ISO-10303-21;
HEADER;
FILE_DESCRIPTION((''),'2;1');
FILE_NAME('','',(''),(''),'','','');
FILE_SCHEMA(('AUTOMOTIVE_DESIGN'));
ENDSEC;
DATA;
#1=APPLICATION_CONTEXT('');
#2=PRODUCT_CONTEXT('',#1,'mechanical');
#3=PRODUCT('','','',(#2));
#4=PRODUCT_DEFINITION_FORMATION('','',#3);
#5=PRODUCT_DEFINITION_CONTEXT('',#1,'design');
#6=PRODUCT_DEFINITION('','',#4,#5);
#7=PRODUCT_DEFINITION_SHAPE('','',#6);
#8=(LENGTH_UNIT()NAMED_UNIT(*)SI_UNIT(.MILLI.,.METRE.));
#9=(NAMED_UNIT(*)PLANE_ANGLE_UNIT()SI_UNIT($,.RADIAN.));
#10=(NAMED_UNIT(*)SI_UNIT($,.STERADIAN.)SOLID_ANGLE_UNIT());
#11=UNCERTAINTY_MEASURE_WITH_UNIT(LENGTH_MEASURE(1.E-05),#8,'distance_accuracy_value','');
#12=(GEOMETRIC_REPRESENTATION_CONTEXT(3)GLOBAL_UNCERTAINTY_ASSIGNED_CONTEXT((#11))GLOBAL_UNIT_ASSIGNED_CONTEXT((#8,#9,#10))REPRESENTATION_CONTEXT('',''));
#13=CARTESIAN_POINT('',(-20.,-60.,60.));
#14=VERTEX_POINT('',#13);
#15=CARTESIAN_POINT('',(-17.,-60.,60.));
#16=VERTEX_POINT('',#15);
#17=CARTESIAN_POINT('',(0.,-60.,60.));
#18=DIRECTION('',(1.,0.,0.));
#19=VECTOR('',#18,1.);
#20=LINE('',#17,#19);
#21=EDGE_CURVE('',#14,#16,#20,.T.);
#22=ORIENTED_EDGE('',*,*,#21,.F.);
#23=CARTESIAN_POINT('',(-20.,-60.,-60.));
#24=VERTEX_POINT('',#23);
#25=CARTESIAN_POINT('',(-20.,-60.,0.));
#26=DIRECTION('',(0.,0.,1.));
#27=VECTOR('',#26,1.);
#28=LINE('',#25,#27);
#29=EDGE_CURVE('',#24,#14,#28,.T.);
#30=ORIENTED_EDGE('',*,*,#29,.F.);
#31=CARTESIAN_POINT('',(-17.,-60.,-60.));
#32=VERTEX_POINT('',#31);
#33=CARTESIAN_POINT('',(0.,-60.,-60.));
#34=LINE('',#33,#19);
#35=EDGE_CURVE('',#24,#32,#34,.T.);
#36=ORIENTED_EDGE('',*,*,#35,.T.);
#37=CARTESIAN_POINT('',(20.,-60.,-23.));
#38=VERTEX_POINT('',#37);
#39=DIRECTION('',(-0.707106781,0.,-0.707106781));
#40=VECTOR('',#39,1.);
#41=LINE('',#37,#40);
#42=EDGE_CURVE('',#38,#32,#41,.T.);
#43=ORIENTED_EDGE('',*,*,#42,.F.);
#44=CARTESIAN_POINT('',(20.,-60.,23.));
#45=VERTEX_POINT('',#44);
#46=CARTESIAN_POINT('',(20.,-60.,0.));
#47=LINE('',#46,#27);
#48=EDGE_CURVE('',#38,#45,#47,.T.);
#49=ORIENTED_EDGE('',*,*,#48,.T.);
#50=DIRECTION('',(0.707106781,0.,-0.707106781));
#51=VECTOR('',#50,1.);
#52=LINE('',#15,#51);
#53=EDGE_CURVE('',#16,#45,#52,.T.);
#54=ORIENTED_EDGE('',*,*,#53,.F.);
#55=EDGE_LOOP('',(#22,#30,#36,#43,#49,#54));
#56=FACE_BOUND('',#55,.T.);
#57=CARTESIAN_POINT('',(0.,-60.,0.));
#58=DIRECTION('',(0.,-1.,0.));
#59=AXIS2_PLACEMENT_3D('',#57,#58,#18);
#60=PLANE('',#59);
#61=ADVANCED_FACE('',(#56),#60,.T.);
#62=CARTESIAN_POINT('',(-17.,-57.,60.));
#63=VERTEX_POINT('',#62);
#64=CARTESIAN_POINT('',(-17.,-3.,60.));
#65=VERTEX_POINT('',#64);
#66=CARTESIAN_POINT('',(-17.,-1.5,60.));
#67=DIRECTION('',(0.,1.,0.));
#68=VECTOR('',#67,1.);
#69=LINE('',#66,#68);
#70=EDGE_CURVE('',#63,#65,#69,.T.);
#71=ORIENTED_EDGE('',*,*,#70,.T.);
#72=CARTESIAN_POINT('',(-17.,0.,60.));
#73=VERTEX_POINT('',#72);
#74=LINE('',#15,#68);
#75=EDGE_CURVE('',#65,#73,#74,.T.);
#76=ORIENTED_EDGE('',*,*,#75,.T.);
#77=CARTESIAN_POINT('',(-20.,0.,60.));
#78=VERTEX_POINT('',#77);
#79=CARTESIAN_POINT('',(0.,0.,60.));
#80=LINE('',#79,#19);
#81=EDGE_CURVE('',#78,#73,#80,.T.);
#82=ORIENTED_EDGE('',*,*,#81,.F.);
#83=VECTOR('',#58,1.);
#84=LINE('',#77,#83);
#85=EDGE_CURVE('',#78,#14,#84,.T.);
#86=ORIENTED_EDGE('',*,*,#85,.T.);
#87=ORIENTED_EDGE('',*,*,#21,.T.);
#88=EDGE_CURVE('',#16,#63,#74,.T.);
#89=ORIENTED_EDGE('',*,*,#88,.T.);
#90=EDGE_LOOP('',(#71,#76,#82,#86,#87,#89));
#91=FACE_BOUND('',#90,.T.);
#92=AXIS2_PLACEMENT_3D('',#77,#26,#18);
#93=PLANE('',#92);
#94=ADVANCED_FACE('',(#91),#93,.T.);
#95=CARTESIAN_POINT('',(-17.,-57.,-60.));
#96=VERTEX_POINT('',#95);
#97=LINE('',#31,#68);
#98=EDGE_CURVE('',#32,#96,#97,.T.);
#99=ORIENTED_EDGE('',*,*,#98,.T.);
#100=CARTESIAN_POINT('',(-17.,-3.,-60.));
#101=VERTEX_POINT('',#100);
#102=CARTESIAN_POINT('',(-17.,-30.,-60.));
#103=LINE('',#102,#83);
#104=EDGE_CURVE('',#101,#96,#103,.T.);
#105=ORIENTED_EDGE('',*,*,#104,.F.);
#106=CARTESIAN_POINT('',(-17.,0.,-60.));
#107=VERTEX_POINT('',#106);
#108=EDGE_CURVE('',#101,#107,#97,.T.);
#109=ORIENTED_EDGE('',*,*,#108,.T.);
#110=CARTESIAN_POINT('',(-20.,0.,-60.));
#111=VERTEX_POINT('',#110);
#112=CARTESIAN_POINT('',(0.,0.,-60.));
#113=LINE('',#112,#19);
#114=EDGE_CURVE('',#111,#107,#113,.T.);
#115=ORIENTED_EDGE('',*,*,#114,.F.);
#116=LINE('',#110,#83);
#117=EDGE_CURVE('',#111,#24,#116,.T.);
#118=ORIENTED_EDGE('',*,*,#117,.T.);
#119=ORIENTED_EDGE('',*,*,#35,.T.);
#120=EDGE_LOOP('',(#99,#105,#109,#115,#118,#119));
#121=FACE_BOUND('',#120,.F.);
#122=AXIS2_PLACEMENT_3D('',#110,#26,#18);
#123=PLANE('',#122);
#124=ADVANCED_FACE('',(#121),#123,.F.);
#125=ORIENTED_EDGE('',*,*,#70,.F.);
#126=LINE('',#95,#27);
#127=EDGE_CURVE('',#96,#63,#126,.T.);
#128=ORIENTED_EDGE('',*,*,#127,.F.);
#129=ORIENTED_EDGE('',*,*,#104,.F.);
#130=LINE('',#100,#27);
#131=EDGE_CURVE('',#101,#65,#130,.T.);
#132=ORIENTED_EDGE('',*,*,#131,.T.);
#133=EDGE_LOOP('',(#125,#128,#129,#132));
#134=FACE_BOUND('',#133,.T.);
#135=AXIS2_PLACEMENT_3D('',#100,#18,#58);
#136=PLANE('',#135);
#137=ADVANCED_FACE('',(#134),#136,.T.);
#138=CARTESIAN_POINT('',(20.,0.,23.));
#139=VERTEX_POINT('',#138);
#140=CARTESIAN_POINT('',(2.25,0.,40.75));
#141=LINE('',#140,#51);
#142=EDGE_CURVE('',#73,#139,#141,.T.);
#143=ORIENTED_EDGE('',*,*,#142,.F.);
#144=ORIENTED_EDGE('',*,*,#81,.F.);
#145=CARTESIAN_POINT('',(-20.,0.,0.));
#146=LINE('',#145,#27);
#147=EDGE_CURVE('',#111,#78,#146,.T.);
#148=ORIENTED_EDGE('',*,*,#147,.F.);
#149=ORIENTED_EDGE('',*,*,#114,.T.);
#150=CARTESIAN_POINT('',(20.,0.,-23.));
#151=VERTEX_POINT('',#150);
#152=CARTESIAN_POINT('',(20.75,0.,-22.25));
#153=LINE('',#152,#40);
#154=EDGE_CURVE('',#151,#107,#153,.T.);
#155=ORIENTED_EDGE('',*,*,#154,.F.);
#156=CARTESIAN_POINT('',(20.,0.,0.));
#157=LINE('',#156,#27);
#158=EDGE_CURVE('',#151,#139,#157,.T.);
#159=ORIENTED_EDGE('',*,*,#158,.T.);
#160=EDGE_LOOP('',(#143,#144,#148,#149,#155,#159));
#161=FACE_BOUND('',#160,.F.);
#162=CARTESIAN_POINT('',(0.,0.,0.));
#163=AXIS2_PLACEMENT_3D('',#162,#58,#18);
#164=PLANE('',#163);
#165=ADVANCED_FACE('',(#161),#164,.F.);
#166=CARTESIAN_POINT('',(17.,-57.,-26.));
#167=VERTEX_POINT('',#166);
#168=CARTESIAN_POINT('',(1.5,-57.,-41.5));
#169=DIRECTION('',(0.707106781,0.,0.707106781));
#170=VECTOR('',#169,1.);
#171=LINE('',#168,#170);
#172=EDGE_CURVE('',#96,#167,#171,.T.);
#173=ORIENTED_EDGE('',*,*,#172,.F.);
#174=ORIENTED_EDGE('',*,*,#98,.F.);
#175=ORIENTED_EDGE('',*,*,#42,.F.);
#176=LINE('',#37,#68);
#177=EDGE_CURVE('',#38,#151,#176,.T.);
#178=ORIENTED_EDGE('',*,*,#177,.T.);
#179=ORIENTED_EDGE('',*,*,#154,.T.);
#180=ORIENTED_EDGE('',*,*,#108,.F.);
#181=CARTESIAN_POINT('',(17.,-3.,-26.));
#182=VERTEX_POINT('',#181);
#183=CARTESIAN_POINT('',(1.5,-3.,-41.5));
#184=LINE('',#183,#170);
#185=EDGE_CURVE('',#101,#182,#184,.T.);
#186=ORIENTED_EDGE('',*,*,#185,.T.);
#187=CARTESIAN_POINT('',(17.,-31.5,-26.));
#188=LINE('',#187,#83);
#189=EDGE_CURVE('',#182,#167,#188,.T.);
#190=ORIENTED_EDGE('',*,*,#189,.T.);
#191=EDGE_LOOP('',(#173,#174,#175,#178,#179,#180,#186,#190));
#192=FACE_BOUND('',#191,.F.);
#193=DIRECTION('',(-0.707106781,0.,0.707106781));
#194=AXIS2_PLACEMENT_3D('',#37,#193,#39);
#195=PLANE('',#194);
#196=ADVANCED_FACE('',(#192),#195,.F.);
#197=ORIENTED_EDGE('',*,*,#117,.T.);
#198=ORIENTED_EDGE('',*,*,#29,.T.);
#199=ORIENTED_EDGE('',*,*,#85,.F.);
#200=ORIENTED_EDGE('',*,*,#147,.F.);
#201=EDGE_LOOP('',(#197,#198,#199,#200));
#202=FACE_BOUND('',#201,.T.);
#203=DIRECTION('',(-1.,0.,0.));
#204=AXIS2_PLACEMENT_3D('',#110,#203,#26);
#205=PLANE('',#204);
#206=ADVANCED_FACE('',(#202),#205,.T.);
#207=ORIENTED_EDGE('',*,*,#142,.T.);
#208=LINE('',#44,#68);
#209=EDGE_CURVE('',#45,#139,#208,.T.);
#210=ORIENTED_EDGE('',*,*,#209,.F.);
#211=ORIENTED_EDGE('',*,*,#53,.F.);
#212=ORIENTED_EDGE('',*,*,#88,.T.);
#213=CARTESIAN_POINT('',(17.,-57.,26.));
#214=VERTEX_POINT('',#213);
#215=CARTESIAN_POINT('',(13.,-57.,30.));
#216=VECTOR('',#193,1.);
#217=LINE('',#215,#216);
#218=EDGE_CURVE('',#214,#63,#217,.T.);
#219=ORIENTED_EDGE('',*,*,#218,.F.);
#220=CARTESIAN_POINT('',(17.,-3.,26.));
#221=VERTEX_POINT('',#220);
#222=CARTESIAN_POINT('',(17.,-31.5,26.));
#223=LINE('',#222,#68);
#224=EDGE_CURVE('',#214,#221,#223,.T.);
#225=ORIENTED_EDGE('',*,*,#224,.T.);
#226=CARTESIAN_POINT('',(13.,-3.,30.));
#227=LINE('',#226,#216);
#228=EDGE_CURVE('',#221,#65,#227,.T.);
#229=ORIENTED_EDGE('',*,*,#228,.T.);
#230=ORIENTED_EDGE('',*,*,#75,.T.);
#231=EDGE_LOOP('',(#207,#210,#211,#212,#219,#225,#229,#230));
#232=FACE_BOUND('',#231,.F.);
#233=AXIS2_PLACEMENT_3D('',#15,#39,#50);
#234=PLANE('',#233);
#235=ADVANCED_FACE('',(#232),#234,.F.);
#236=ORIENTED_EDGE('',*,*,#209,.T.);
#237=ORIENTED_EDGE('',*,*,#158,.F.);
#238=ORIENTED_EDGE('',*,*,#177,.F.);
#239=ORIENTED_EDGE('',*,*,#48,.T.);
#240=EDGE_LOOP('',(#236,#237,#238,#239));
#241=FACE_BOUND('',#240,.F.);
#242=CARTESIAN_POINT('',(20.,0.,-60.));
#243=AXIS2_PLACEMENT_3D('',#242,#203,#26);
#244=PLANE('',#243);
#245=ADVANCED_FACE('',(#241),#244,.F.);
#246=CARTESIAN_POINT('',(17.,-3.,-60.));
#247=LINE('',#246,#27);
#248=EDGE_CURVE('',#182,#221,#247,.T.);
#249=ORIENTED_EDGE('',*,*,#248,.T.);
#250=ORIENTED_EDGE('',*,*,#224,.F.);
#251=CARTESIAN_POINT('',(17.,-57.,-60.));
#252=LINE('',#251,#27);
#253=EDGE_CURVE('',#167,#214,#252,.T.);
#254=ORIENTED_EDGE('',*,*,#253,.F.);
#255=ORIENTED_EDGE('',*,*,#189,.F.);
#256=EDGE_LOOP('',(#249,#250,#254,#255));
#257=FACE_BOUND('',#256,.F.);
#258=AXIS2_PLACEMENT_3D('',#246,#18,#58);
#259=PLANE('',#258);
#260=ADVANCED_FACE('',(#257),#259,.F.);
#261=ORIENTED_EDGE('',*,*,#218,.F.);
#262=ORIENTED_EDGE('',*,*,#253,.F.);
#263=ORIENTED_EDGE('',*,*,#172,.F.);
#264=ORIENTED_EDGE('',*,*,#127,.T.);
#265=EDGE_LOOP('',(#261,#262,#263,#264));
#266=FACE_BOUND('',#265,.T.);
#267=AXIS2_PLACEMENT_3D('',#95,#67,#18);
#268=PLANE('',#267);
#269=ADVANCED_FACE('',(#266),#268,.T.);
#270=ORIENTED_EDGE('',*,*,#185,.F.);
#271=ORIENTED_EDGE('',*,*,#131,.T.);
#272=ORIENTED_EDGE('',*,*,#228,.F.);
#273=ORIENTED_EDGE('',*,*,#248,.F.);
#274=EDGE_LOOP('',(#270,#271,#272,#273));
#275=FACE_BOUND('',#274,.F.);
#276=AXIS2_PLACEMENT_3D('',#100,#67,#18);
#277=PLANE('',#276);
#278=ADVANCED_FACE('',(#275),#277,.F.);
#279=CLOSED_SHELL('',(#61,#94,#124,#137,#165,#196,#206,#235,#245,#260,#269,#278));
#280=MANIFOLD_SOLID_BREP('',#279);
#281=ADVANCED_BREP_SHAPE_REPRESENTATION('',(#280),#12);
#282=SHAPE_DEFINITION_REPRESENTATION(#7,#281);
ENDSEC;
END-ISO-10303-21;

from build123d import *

# Parameters (mm, degrees)
F0_W     = 40
F0_H     = 120
F1_DEPTH = 60
F2_W     = 34
F2_H     = 54
F3_DEPTH = 450
F5_DEPTH = 61


with BuildPart() as f1:
    # F0 (on Front) → F1 (new body)
    with BuildSketch(Plane.XZ):
        Rectangle(F0_W, F0_H)
    extrude(amount=F1_DEPTH)

    # F2 (on face) → F3 (cut)
    with BuildSketch(Plane(origin=(0, 0, -60), x_dir=(1, 0, 0), z_dir=(0, 0, -1))):
        with Locations((0, 30)):
            Rectangle(F2_W, F2_H)
    extrude(amount=-F3_DEPTH, mode=Mode.SUBTRACT)

    # F4 (on face) → F5 (cut)
    with BuildSketch(Plane.XZ.offset(60)):
        Polygon((20, 60), (-17, 60), (20, 23), align=None)
        Polygon((20, -60), (20, -23), (-17, -60), align=None)
    extrude(amount=-F5_DEPTH, mode=Mode.SUBTRACT)


solid = f1.part
